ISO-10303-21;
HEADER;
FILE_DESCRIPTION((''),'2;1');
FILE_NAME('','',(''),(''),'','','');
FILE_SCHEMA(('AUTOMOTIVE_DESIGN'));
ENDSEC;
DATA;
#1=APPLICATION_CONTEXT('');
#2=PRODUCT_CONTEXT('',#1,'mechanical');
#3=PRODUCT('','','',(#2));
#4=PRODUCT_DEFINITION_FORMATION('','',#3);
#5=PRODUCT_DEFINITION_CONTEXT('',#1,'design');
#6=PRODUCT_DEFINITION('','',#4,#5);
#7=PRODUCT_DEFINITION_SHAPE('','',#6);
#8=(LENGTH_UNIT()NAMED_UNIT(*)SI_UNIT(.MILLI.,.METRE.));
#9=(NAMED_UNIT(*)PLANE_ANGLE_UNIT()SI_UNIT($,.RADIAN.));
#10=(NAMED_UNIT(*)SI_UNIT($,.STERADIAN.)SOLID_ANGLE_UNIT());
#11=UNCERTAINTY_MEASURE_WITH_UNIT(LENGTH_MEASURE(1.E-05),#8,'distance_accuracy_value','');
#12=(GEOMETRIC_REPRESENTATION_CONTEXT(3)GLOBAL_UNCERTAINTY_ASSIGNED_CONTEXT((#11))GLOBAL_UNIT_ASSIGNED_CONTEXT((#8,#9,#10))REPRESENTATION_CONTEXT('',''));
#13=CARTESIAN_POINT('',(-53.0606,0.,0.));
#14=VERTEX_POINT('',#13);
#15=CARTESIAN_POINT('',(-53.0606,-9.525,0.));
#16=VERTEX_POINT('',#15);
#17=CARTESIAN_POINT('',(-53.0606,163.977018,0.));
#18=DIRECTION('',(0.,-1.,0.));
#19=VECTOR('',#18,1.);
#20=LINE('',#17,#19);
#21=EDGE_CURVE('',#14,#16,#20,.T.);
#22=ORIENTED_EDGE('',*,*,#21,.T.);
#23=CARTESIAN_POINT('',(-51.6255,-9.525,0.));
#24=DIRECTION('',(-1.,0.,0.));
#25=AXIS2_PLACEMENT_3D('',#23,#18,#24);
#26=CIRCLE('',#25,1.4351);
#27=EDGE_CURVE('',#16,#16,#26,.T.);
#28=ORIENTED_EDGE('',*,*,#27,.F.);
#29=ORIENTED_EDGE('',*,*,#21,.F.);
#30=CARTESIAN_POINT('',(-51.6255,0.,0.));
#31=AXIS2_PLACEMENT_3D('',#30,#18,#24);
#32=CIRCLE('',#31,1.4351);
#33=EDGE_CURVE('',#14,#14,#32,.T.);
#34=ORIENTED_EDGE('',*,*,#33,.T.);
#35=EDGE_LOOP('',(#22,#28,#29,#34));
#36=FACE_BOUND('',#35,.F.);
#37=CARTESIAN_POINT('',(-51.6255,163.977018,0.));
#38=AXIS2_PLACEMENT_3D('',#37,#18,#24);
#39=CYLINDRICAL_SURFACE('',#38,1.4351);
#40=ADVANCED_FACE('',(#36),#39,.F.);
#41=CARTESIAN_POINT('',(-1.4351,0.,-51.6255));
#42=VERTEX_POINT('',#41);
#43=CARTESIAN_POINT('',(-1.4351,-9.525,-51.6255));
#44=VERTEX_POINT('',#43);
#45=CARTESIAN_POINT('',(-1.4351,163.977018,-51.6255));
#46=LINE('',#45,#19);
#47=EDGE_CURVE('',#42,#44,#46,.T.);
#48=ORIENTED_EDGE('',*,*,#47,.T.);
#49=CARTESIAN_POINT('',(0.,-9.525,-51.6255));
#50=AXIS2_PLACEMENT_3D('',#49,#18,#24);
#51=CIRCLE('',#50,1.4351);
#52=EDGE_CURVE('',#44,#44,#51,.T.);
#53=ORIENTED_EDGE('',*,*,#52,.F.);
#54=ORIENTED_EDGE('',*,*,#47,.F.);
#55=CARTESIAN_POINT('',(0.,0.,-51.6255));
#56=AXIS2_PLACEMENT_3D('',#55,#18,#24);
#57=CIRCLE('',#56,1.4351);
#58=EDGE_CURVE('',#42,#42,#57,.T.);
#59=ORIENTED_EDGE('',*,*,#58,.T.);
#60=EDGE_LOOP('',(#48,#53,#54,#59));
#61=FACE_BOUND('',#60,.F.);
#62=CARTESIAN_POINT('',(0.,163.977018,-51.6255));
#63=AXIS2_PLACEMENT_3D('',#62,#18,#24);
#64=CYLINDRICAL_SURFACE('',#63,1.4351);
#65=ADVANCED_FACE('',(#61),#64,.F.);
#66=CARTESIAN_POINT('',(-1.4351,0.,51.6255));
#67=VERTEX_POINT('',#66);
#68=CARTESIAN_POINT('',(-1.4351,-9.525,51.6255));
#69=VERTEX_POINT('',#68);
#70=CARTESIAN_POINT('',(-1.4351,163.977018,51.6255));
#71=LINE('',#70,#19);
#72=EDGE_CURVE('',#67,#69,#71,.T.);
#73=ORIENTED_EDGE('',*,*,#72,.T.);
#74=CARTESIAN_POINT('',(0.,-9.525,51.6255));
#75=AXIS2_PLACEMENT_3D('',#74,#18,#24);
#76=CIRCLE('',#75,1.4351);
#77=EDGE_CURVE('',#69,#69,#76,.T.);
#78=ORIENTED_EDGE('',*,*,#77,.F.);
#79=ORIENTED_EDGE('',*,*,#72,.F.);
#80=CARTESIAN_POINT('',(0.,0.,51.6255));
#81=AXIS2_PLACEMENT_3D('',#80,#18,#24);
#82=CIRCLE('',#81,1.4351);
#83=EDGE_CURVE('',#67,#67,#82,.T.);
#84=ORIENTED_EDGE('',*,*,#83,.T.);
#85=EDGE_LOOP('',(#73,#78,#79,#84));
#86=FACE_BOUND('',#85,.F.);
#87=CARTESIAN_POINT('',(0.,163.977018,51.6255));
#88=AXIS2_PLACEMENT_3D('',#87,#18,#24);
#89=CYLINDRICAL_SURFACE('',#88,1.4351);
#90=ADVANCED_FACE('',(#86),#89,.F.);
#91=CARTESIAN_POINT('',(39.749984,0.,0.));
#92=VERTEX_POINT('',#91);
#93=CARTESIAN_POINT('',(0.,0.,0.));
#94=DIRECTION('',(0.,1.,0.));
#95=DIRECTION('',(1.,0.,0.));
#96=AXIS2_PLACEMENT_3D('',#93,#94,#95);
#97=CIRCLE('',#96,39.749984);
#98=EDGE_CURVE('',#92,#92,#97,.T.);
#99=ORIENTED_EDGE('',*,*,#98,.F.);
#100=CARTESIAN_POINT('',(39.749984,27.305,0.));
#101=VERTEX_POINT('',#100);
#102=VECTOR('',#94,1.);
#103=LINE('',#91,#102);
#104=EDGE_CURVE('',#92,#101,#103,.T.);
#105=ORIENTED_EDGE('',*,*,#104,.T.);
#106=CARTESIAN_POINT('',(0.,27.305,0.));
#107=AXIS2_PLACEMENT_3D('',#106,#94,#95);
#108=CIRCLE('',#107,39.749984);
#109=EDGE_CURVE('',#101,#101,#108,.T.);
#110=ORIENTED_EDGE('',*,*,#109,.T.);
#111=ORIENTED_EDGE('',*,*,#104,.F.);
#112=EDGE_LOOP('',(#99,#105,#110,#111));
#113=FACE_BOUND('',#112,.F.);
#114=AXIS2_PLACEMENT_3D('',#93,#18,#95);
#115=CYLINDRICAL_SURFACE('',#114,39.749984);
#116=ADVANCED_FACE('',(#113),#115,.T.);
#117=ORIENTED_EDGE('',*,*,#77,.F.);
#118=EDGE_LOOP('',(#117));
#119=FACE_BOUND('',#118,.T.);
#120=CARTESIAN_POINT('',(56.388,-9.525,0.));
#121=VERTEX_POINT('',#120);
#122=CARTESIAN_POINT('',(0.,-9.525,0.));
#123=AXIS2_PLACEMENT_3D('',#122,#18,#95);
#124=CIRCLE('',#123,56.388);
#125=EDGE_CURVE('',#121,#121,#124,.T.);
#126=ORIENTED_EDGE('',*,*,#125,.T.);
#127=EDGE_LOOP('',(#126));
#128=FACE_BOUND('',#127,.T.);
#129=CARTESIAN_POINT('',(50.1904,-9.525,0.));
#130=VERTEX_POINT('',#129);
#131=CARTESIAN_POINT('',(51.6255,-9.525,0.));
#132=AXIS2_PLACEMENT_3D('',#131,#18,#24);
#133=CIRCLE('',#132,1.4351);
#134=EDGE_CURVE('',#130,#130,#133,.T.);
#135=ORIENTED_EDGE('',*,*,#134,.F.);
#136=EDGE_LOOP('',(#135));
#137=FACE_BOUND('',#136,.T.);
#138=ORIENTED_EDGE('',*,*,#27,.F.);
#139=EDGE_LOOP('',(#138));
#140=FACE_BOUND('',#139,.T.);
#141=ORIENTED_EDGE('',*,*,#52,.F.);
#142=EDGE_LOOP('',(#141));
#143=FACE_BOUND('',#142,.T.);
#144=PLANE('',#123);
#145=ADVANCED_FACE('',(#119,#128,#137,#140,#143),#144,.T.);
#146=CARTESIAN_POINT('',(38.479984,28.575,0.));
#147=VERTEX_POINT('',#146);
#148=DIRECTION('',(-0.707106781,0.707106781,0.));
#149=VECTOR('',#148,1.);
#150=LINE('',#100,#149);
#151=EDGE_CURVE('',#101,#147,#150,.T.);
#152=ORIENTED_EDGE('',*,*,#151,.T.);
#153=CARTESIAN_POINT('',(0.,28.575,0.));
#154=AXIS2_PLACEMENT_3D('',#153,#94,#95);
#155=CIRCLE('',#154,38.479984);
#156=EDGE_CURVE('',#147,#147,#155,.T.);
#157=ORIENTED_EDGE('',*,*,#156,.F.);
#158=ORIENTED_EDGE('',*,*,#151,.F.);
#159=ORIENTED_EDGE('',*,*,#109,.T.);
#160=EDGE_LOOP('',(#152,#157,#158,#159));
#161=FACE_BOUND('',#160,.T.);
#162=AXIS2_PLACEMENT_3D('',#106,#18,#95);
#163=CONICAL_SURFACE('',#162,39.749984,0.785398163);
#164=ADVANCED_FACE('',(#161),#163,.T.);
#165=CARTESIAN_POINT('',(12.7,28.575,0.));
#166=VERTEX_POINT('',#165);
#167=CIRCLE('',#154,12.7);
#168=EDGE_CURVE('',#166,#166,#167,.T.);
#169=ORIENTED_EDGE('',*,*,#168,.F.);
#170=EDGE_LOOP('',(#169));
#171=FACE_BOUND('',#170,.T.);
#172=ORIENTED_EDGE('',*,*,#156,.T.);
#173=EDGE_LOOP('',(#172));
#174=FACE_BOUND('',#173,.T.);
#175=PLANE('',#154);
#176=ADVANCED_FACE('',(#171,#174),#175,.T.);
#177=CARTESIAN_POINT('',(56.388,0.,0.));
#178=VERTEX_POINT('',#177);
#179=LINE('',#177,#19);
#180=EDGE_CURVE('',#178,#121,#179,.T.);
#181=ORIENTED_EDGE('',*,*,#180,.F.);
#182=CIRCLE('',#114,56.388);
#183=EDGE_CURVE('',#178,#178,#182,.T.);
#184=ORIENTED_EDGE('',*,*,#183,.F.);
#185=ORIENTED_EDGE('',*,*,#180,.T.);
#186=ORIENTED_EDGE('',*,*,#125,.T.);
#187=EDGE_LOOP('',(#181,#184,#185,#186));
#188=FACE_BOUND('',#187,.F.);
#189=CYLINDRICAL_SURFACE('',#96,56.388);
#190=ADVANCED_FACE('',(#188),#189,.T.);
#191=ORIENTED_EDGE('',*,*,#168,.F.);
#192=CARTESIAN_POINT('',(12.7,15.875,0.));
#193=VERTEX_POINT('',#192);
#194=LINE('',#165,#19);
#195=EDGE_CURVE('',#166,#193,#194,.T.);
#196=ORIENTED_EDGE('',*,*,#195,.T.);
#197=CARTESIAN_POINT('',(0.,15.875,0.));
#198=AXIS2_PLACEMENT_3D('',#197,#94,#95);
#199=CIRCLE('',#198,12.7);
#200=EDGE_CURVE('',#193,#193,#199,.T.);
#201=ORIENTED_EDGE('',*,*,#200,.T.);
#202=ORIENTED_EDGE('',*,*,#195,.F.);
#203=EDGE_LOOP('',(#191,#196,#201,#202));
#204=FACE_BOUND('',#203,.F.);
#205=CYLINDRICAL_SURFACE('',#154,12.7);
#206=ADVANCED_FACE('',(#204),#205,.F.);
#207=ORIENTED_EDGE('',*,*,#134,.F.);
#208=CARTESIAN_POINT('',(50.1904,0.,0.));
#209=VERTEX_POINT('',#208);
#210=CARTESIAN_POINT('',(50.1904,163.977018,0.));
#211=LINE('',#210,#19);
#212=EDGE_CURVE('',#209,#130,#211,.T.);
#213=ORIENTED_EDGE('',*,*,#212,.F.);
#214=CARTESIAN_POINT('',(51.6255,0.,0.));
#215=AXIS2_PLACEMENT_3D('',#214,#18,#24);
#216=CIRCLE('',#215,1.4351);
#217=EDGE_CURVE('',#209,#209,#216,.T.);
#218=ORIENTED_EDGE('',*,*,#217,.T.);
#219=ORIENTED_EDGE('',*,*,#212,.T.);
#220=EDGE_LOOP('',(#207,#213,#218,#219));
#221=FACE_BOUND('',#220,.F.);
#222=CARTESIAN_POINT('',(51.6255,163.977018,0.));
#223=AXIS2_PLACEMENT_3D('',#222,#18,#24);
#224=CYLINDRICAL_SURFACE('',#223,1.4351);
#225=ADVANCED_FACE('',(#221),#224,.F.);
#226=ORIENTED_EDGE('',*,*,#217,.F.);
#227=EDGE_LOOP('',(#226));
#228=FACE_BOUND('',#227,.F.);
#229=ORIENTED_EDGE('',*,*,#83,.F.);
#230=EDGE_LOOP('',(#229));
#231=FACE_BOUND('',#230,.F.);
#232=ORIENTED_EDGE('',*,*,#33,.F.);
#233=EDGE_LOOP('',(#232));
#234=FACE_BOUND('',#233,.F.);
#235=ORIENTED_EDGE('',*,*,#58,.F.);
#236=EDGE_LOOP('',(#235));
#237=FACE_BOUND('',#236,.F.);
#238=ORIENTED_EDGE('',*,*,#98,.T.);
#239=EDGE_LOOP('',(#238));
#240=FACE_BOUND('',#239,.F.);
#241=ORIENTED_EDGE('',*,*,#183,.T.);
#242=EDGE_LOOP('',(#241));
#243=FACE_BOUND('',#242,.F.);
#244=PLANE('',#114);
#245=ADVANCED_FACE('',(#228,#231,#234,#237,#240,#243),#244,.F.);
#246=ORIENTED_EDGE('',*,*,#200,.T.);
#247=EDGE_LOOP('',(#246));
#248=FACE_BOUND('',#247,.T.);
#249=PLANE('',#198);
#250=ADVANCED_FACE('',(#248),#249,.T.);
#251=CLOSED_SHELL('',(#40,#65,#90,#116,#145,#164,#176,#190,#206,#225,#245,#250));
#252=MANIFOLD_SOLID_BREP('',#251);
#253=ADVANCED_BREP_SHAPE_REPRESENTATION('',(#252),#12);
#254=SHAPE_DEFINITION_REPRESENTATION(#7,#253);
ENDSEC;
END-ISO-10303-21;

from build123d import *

# Parameters (mm, degrees)
SKETCH1_R                 = 39.749984
BOSS_EXTRUDE1_DEPTH       = 28.575
SKETCH3_R                 = 56.388
BOSS_EXTRUDE3_DEPTH       = 9.525
CHAMFER1_SIZE             = 1.27
TAP_DRILL_FOR_4_40_TAP1_D = 2.8702
SKETCH2_R                 = 12.7
CUT_EXTRUDE1_DEPTH        = 12.7


with BuildPart() as part:
    # Sketch1 → Boss-Extrude1 (new body)
    with BuildSketch(Plane(origin=(0, 0, 0), x_dir=(1, 0, 0), z_dir=(0, 1, 0))):
        Circle(SKETCH1_R)
    extrude(amount=BOSS_EXTRUDE1_DEPTH)

    # Sketch3 → Boss-Extrude3 (add)
    with BuildSketch(Plane.XZ):
        Circle(SKETCH3_R)
    extrude(amount=BOSS_EXTRUDE3_DEPTH)

    # Chamfer1
    chamfer1_edges = [part.edges().sort_by_distance(p)[0] for p in [
        (-39.749984, 28.575, 0),
    ]]
    chamfer(chamfer1_edges, length=CHAMFER1_SIZE)

    # Tap Drill for #4-40 Tap1 (through all)
    with Locations(Plane(origin=(0, 0, 0), x_dir=(1, 0, 0), z_dir=(0, 1, 0))):
        with Locations((0, 51.6255), (51.6255, 0), (0, -51.6255), (-51.6255, 0)):
            Hole(TAP_DRILL_FOR_4_40_TAP1_D / 2)

    # Sketch2 → Cut-Extrude1 (cut)
    with BuildSketch(Plane(origin=(0, 28.575, 0), x_dir=(1, 0, 0), z_dir=(0, 1, 0))):
        Circle(SKETCH2_R)
    extrude(amount=-CUT_EXTRUDE1_DEPTH, mode=Mode.SUBTRACT)


solid = part.part
